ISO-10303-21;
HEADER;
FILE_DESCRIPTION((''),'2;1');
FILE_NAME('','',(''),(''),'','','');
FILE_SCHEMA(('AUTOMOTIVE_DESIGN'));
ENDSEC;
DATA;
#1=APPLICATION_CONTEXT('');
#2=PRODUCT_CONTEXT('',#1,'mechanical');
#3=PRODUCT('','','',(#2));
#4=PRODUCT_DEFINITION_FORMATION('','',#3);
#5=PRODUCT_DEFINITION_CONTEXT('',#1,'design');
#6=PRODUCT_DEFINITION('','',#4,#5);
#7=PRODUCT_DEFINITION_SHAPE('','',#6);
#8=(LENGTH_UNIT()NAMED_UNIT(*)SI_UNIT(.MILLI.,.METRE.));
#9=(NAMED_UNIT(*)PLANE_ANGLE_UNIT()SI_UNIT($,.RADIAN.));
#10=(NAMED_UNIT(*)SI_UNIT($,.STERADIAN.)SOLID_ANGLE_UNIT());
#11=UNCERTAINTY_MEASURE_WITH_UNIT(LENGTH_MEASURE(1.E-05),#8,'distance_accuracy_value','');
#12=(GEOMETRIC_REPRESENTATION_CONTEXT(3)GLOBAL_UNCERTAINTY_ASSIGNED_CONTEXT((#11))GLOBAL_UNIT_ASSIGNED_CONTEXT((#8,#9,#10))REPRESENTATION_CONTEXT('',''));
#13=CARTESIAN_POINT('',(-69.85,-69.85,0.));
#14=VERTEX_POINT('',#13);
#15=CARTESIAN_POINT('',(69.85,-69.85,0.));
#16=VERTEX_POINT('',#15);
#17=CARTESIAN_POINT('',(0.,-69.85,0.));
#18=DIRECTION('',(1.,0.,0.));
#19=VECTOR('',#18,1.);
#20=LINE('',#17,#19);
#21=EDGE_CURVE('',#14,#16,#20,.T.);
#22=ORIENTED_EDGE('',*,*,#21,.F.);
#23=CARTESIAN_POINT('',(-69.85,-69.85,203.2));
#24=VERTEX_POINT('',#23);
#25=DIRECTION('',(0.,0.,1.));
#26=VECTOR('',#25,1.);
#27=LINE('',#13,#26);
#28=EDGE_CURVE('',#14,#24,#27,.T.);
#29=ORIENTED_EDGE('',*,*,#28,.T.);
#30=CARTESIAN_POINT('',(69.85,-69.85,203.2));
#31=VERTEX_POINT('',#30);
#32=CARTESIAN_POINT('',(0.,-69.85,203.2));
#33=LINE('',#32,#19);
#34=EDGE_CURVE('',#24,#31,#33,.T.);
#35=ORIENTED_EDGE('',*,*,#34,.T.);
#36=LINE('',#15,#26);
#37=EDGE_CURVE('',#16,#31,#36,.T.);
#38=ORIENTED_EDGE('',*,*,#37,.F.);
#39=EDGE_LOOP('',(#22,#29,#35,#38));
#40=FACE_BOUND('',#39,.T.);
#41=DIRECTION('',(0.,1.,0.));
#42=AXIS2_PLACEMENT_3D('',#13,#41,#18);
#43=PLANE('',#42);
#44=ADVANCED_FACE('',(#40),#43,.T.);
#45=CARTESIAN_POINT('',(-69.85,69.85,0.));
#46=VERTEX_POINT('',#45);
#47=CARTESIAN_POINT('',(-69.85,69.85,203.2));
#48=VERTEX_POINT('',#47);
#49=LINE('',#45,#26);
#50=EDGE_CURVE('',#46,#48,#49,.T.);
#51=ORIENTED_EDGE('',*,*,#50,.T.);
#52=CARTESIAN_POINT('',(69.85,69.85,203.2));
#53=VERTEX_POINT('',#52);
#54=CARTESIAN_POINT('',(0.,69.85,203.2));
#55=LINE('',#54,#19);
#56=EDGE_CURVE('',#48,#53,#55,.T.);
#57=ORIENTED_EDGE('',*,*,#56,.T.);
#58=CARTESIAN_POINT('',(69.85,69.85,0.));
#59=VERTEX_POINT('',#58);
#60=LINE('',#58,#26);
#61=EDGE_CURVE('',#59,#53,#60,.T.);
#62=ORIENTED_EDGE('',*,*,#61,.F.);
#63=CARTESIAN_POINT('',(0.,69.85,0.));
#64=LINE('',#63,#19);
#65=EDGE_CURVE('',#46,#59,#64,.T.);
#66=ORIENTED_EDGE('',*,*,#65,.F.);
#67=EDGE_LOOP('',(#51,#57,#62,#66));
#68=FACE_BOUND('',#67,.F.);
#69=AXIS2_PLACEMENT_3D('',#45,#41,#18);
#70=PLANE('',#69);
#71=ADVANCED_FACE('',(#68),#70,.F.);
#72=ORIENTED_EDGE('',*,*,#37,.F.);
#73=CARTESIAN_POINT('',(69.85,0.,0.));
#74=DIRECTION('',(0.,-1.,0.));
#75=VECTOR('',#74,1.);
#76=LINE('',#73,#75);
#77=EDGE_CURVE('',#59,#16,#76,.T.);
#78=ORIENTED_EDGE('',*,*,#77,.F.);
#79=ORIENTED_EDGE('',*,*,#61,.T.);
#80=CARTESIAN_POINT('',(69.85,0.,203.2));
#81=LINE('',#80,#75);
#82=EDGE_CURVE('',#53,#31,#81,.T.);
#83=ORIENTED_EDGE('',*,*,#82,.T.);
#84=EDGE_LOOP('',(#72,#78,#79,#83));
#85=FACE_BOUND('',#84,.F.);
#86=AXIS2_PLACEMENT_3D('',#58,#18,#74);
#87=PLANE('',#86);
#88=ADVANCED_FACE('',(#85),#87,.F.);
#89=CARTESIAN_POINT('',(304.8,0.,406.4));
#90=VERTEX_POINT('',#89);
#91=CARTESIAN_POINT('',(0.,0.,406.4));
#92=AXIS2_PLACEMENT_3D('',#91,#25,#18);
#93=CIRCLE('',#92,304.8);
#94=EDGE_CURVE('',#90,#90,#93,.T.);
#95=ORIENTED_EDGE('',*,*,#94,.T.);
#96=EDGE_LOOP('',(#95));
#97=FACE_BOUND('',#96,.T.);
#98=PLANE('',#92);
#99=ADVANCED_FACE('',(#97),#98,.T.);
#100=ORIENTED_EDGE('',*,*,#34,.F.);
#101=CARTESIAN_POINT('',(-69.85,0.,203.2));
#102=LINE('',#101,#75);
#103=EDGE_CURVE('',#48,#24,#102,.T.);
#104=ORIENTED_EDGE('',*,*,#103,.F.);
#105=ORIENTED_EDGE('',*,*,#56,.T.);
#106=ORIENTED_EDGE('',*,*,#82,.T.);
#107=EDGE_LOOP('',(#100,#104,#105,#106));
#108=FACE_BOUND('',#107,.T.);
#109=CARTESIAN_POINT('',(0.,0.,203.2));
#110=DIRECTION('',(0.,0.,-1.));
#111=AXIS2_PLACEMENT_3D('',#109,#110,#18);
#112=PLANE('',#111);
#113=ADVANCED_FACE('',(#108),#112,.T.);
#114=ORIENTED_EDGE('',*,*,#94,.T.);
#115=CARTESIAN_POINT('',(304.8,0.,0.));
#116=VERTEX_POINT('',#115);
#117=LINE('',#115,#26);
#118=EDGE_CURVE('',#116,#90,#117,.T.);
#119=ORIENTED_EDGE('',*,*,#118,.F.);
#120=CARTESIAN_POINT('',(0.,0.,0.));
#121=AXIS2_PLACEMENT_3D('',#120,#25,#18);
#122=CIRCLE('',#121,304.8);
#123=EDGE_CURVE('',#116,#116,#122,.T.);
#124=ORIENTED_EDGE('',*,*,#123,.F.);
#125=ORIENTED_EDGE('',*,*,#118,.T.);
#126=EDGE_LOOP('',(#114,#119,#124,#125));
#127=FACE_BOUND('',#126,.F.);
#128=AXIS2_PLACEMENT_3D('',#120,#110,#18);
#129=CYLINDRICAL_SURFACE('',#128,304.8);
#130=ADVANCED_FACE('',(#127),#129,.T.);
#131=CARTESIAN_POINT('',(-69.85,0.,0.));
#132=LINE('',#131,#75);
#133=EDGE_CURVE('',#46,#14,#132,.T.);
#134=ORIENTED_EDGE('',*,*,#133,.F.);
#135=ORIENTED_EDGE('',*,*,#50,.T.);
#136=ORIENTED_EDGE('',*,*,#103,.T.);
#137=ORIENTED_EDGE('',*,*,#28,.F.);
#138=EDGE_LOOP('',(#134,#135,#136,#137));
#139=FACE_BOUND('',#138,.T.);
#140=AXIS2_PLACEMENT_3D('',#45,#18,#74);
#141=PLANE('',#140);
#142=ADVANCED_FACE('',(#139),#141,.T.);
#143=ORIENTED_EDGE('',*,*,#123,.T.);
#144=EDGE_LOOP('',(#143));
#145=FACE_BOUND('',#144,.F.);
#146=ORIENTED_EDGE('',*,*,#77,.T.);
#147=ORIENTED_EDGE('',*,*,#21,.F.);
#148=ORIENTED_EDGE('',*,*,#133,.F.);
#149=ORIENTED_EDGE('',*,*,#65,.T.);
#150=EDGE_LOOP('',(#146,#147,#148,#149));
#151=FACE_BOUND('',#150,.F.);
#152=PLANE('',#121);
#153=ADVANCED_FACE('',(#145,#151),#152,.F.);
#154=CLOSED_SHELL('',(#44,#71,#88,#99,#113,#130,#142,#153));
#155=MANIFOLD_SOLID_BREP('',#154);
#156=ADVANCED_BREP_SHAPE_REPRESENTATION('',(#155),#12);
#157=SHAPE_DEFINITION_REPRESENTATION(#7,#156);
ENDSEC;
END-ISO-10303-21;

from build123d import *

# Parameters (mm, degrees)
F0_R     = 304.8
F1_DEPTH = 406.4
F2_W     = 139.7
F2_H     = 139.7
F3_DEPTH = 203.2


with BuildPart() as f1:
    # F0 (on Top) → F1 (new body)
    with BuildSketch(Plane.XY):
        Circle(F0_R)
    extrude(amount=F1_DEPTH)

    # F2 (on face) → F3 (cut)
    with BuildSketch(Plane(origin=(0, 0, 0), x_dir=(1, 0, 0), z_dir=(0, 0, -1))):
        Rectangle(F2_W, F2_H)
    extrude(amount=-F3_DEPTH, mode=Mode.SUBTRACT)


solid = f1.part
